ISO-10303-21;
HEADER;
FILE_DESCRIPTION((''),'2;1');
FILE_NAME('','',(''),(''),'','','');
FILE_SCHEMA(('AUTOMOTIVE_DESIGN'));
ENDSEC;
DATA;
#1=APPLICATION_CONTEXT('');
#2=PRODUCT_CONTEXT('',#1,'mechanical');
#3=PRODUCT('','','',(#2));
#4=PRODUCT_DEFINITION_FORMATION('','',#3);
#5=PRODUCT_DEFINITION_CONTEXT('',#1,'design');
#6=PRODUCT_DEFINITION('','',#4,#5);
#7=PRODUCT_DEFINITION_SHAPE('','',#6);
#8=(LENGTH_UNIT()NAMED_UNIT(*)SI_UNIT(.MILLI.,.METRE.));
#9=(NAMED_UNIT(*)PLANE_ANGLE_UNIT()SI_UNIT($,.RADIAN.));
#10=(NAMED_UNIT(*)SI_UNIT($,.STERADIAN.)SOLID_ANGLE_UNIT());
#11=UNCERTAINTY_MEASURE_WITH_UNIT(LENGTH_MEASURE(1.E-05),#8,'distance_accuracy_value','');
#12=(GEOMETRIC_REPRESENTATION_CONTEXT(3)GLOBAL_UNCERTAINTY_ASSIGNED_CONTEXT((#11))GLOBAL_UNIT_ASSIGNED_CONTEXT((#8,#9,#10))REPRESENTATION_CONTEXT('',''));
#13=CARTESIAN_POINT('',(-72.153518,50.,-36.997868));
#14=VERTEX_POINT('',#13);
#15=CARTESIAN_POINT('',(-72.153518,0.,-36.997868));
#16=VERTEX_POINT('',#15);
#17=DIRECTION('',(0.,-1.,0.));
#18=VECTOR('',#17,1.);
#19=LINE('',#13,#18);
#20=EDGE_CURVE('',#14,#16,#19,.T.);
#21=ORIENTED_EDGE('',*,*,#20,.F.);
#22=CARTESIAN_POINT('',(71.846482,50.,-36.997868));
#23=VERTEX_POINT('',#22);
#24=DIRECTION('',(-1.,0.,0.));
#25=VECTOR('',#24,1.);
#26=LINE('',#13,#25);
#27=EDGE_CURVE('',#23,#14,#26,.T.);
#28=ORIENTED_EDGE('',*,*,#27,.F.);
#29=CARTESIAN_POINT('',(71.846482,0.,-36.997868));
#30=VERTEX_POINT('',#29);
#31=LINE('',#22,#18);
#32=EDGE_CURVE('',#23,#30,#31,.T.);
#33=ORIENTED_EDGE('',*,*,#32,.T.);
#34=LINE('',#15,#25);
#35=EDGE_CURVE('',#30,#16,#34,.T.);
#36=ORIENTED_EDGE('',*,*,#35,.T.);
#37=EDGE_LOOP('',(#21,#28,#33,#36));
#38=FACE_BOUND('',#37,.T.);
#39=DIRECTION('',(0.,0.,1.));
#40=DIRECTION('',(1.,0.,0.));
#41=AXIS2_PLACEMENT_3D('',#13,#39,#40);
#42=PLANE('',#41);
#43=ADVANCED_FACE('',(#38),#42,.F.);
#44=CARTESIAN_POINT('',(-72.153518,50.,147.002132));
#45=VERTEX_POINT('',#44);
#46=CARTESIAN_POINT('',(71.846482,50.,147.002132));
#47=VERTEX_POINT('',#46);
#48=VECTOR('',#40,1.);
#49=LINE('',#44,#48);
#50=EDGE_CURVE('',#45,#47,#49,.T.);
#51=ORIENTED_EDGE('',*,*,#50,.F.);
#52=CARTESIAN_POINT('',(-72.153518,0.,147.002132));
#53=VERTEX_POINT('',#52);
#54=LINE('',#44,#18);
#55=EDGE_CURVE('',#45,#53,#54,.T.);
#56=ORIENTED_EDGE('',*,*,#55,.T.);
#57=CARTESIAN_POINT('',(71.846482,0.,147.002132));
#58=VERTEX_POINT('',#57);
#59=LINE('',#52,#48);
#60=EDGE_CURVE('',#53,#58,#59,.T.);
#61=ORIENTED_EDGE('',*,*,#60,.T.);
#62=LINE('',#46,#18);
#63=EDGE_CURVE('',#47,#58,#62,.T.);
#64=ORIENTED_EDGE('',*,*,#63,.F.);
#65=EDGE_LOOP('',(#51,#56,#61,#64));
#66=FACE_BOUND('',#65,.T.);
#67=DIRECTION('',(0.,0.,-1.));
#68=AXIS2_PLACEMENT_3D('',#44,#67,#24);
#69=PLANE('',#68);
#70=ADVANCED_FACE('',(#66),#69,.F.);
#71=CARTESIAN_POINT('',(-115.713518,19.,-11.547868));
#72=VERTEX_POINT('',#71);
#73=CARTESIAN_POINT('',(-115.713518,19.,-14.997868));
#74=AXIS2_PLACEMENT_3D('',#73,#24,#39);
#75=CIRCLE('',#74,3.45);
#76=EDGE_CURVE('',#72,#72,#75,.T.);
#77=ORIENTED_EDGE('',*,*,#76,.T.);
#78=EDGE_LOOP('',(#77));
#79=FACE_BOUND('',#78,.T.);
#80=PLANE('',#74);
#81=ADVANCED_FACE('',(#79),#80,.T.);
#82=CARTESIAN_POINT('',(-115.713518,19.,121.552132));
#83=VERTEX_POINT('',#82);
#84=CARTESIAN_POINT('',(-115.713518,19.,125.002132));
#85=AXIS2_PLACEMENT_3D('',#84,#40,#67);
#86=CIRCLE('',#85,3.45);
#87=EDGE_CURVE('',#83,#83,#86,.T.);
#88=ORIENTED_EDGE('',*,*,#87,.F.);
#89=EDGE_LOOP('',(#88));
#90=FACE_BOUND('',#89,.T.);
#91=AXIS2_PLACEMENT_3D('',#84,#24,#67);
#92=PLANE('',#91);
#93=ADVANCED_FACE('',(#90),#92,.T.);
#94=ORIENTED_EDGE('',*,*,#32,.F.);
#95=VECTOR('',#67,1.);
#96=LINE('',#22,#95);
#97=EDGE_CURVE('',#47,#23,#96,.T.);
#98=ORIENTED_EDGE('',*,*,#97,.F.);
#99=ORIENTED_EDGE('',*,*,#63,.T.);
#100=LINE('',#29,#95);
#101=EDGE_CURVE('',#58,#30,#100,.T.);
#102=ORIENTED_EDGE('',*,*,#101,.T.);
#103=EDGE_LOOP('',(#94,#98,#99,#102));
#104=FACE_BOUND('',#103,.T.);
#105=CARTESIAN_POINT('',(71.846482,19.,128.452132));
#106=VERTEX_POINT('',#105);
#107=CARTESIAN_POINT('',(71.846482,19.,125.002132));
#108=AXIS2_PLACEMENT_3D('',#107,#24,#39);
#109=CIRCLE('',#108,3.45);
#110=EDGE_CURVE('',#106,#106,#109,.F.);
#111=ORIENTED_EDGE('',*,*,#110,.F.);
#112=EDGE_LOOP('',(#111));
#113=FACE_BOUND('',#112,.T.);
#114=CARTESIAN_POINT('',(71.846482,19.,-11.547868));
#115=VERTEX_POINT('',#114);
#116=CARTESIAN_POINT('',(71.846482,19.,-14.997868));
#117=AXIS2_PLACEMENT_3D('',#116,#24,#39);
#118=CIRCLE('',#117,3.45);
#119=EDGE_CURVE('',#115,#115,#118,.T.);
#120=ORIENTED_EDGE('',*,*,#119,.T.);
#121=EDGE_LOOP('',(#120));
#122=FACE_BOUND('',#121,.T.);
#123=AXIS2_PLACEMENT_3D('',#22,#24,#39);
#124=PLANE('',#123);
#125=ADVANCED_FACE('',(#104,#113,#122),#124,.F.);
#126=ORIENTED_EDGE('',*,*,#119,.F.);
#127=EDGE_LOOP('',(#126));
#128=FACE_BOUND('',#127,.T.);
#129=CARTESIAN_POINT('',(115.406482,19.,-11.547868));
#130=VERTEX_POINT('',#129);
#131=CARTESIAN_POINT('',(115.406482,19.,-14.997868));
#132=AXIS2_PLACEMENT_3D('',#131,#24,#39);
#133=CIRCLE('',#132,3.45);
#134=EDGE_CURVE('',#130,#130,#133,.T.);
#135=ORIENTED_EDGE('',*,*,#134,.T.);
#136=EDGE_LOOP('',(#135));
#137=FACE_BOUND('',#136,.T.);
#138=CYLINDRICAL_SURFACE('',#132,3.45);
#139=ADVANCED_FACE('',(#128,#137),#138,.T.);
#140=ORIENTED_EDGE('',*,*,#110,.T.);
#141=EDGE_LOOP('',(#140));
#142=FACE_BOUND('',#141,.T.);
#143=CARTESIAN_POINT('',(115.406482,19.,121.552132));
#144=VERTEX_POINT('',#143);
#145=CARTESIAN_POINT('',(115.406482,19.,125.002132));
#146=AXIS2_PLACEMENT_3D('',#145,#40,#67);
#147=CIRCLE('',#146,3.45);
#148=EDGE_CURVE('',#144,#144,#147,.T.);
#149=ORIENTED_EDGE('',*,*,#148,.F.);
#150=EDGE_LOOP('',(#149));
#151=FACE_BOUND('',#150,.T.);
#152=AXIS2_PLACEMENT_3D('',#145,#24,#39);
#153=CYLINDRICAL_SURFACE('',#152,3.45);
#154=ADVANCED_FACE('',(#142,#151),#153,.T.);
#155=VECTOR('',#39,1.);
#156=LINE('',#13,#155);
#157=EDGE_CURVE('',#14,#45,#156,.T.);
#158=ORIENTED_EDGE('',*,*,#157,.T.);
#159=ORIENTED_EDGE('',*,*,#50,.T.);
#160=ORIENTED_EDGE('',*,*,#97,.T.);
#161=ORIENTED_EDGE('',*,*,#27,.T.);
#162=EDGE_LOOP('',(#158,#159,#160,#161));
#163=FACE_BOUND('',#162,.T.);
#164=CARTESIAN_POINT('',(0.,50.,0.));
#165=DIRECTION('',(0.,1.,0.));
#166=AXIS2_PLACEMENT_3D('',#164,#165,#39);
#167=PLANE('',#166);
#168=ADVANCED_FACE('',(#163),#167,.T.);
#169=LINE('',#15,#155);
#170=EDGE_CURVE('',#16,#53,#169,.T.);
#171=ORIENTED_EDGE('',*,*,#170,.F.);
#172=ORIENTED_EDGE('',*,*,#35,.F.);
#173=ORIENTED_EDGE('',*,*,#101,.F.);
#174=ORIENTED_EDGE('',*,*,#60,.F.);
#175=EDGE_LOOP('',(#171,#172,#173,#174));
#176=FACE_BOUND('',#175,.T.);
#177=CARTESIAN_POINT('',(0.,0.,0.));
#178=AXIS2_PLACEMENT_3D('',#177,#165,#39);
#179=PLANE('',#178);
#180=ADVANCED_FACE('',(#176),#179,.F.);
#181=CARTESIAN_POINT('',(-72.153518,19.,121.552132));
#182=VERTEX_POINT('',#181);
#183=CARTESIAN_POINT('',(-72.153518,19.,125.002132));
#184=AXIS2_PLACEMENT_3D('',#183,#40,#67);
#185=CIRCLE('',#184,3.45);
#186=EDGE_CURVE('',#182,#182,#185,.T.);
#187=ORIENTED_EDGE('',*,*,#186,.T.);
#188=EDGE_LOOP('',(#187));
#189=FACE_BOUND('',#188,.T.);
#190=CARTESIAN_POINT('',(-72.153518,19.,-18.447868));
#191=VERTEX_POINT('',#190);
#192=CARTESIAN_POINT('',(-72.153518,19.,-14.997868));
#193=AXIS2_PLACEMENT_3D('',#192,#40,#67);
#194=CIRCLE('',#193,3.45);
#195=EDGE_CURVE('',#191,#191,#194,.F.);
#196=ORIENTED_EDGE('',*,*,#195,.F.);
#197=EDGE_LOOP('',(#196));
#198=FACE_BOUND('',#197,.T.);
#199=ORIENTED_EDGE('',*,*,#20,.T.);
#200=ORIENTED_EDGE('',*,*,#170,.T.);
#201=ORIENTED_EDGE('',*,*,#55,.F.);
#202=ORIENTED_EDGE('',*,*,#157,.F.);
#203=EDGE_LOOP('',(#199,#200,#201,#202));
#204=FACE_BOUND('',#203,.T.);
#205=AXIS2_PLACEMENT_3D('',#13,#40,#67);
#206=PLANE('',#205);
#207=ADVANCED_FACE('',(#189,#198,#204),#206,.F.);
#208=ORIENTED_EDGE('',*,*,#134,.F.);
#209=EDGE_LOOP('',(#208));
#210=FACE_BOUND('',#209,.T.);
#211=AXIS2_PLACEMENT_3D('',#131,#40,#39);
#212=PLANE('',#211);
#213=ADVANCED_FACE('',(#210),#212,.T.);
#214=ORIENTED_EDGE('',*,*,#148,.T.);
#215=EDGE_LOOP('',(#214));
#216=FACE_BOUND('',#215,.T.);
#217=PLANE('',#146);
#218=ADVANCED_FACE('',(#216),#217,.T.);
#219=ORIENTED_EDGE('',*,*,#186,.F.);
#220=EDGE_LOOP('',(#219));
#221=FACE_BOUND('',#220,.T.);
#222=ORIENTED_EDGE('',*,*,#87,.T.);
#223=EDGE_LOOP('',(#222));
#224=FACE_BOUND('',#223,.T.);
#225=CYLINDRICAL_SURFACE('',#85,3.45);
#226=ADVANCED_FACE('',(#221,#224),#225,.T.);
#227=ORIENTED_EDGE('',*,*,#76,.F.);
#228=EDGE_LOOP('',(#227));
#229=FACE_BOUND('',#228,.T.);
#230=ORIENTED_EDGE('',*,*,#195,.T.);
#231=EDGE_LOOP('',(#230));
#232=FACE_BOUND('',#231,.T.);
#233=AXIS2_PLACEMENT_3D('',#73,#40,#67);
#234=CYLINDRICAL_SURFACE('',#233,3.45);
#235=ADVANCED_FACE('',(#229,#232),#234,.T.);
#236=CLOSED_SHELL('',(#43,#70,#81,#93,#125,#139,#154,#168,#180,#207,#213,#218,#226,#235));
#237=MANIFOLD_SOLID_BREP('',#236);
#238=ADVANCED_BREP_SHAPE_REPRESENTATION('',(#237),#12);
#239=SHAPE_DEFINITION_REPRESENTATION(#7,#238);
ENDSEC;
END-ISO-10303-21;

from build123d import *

# Parameters (mm, degrees)
SKETCH_1_W                                 = 144
SKETCH_1_H                                 = 184
EXTRUDE_1_DEPTH                            = 50
SKETCH_2_R                                 = 3.45
EXTRUDE_2_DEPTH                            = 43.56
MIRROR_1_AT_THE_SECOND_PLANE_COPY_1_SKET_R = 3.45
MIRROR_1_AT_THE_SECOND_PLANE_COPY_1_DEPTH  = 43.56


with BuildPart() as part:
    # 草图1 → 凸台-拉伸1 (new body)
    with BuildSketch(Plane(origin=(0, 0, 0), x_dir=(1, 0, 0), z_dir=(0, 1, 0))):
        with Locations((-0.153518124, -55.002132196)):
            Rectangle(SKETCH_1_W, SKETCH_1_H)
    extrude(amount=EXTRUDE_1_DEPTH)

    # 草图2 → 凸台-拉伸2 (add)
    with BuildSketch(Plane.ZY.offset(72.153518124)):
        with Locations((-14.997867804, 19)):
            Circle(SKETCH_2_R)
    extrude_2 = extrude(amount=EXTRUDE_2_DEPTH)

    # 镜向1: 凸台-拉伸2 across plane
    add(extrude_2.mirror(Plane.ZY.offset(0.153518124)))

    # 镜向1 at the second plane: 凸台-拉伸2 across plane
    add(extrude_2.mirror(Plane(origin=(0, 0, 55.002132196), x_dir=(1, 0, 0), z_dir=(0, 0, -1))))

    # 镜向1 at the second plane copy 1 sket → 镜向1 at the second plane copy 1 (add)
    with BuildSketch(Plane(origin=(71.846481876, 0, 110.004264392), x_dir=(0, 0, -1), z_dir=(1, 0, 0))):
        with Locations((-14.997867804, 19)):
            Circle(MIRROR_1_AT_THE_SECOND_PLANE_COPY_1_SKET_R)
    extrude(amount=MIRROR_1_AT_THE_SECOND_PLANE_COPY_1_DEPTH)


solid = part.part
